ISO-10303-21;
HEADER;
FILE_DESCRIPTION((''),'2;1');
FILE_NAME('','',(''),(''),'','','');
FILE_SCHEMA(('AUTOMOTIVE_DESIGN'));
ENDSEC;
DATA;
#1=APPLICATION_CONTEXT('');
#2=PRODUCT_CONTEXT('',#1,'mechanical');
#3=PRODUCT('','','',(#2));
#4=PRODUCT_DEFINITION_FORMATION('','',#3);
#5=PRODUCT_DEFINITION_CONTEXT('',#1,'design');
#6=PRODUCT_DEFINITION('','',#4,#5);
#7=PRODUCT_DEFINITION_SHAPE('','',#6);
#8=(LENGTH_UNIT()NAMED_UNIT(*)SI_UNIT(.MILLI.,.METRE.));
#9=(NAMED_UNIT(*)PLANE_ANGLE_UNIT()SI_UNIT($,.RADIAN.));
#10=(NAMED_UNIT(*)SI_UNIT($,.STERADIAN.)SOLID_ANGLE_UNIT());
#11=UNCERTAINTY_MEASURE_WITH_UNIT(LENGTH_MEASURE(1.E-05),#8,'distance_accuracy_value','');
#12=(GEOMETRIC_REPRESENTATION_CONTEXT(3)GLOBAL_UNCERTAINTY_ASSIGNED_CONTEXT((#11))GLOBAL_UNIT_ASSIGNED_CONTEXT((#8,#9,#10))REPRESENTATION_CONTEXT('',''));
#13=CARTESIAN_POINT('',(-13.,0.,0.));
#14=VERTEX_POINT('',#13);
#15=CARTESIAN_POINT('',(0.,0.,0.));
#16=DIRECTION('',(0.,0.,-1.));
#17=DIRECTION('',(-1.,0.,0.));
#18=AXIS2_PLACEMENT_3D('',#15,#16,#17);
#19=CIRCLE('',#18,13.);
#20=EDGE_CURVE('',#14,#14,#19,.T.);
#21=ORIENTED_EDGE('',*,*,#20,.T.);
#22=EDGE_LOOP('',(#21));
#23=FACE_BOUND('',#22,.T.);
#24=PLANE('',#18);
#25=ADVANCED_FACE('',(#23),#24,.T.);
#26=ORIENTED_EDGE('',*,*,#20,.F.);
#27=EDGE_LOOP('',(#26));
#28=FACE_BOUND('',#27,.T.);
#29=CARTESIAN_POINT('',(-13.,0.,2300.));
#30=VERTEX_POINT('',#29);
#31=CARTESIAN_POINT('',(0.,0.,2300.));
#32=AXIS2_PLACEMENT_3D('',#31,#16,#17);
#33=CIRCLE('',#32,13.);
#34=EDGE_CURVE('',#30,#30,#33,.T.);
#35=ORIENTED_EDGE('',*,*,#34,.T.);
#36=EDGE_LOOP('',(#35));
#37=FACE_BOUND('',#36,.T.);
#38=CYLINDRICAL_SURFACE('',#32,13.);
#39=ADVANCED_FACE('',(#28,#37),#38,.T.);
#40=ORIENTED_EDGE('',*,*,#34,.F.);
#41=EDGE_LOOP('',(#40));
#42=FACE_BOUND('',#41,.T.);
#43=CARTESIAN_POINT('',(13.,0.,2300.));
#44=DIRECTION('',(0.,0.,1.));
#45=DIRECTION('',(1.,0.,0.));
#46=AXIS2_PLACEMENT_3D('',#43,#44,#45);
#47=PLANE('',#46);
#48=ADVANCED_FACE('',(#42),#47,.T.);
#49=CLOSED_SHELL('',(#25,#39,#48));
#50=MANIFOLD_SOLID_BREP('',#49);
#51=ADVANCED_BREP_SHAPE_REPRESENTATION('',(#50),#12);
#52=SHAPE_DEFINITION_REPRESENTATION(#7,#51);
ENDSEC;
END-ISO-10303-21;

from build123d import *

# Parameters (mm, degrees)
ESBO_O1_W = 13
ESBO_O1_H = 2300


with BuildPart() as part:
    # Esboço1 → Revolução1 (revolve)
    with BuildSketch(Plane.XZ):
        with Locations((6.5, 1150)):
            Rectangle(ESBO_O1_W, ESBO_O1_H)
    revolve(axis=Axis((0, 0, 2300), (0, 0, -1)))


solid = part.part
